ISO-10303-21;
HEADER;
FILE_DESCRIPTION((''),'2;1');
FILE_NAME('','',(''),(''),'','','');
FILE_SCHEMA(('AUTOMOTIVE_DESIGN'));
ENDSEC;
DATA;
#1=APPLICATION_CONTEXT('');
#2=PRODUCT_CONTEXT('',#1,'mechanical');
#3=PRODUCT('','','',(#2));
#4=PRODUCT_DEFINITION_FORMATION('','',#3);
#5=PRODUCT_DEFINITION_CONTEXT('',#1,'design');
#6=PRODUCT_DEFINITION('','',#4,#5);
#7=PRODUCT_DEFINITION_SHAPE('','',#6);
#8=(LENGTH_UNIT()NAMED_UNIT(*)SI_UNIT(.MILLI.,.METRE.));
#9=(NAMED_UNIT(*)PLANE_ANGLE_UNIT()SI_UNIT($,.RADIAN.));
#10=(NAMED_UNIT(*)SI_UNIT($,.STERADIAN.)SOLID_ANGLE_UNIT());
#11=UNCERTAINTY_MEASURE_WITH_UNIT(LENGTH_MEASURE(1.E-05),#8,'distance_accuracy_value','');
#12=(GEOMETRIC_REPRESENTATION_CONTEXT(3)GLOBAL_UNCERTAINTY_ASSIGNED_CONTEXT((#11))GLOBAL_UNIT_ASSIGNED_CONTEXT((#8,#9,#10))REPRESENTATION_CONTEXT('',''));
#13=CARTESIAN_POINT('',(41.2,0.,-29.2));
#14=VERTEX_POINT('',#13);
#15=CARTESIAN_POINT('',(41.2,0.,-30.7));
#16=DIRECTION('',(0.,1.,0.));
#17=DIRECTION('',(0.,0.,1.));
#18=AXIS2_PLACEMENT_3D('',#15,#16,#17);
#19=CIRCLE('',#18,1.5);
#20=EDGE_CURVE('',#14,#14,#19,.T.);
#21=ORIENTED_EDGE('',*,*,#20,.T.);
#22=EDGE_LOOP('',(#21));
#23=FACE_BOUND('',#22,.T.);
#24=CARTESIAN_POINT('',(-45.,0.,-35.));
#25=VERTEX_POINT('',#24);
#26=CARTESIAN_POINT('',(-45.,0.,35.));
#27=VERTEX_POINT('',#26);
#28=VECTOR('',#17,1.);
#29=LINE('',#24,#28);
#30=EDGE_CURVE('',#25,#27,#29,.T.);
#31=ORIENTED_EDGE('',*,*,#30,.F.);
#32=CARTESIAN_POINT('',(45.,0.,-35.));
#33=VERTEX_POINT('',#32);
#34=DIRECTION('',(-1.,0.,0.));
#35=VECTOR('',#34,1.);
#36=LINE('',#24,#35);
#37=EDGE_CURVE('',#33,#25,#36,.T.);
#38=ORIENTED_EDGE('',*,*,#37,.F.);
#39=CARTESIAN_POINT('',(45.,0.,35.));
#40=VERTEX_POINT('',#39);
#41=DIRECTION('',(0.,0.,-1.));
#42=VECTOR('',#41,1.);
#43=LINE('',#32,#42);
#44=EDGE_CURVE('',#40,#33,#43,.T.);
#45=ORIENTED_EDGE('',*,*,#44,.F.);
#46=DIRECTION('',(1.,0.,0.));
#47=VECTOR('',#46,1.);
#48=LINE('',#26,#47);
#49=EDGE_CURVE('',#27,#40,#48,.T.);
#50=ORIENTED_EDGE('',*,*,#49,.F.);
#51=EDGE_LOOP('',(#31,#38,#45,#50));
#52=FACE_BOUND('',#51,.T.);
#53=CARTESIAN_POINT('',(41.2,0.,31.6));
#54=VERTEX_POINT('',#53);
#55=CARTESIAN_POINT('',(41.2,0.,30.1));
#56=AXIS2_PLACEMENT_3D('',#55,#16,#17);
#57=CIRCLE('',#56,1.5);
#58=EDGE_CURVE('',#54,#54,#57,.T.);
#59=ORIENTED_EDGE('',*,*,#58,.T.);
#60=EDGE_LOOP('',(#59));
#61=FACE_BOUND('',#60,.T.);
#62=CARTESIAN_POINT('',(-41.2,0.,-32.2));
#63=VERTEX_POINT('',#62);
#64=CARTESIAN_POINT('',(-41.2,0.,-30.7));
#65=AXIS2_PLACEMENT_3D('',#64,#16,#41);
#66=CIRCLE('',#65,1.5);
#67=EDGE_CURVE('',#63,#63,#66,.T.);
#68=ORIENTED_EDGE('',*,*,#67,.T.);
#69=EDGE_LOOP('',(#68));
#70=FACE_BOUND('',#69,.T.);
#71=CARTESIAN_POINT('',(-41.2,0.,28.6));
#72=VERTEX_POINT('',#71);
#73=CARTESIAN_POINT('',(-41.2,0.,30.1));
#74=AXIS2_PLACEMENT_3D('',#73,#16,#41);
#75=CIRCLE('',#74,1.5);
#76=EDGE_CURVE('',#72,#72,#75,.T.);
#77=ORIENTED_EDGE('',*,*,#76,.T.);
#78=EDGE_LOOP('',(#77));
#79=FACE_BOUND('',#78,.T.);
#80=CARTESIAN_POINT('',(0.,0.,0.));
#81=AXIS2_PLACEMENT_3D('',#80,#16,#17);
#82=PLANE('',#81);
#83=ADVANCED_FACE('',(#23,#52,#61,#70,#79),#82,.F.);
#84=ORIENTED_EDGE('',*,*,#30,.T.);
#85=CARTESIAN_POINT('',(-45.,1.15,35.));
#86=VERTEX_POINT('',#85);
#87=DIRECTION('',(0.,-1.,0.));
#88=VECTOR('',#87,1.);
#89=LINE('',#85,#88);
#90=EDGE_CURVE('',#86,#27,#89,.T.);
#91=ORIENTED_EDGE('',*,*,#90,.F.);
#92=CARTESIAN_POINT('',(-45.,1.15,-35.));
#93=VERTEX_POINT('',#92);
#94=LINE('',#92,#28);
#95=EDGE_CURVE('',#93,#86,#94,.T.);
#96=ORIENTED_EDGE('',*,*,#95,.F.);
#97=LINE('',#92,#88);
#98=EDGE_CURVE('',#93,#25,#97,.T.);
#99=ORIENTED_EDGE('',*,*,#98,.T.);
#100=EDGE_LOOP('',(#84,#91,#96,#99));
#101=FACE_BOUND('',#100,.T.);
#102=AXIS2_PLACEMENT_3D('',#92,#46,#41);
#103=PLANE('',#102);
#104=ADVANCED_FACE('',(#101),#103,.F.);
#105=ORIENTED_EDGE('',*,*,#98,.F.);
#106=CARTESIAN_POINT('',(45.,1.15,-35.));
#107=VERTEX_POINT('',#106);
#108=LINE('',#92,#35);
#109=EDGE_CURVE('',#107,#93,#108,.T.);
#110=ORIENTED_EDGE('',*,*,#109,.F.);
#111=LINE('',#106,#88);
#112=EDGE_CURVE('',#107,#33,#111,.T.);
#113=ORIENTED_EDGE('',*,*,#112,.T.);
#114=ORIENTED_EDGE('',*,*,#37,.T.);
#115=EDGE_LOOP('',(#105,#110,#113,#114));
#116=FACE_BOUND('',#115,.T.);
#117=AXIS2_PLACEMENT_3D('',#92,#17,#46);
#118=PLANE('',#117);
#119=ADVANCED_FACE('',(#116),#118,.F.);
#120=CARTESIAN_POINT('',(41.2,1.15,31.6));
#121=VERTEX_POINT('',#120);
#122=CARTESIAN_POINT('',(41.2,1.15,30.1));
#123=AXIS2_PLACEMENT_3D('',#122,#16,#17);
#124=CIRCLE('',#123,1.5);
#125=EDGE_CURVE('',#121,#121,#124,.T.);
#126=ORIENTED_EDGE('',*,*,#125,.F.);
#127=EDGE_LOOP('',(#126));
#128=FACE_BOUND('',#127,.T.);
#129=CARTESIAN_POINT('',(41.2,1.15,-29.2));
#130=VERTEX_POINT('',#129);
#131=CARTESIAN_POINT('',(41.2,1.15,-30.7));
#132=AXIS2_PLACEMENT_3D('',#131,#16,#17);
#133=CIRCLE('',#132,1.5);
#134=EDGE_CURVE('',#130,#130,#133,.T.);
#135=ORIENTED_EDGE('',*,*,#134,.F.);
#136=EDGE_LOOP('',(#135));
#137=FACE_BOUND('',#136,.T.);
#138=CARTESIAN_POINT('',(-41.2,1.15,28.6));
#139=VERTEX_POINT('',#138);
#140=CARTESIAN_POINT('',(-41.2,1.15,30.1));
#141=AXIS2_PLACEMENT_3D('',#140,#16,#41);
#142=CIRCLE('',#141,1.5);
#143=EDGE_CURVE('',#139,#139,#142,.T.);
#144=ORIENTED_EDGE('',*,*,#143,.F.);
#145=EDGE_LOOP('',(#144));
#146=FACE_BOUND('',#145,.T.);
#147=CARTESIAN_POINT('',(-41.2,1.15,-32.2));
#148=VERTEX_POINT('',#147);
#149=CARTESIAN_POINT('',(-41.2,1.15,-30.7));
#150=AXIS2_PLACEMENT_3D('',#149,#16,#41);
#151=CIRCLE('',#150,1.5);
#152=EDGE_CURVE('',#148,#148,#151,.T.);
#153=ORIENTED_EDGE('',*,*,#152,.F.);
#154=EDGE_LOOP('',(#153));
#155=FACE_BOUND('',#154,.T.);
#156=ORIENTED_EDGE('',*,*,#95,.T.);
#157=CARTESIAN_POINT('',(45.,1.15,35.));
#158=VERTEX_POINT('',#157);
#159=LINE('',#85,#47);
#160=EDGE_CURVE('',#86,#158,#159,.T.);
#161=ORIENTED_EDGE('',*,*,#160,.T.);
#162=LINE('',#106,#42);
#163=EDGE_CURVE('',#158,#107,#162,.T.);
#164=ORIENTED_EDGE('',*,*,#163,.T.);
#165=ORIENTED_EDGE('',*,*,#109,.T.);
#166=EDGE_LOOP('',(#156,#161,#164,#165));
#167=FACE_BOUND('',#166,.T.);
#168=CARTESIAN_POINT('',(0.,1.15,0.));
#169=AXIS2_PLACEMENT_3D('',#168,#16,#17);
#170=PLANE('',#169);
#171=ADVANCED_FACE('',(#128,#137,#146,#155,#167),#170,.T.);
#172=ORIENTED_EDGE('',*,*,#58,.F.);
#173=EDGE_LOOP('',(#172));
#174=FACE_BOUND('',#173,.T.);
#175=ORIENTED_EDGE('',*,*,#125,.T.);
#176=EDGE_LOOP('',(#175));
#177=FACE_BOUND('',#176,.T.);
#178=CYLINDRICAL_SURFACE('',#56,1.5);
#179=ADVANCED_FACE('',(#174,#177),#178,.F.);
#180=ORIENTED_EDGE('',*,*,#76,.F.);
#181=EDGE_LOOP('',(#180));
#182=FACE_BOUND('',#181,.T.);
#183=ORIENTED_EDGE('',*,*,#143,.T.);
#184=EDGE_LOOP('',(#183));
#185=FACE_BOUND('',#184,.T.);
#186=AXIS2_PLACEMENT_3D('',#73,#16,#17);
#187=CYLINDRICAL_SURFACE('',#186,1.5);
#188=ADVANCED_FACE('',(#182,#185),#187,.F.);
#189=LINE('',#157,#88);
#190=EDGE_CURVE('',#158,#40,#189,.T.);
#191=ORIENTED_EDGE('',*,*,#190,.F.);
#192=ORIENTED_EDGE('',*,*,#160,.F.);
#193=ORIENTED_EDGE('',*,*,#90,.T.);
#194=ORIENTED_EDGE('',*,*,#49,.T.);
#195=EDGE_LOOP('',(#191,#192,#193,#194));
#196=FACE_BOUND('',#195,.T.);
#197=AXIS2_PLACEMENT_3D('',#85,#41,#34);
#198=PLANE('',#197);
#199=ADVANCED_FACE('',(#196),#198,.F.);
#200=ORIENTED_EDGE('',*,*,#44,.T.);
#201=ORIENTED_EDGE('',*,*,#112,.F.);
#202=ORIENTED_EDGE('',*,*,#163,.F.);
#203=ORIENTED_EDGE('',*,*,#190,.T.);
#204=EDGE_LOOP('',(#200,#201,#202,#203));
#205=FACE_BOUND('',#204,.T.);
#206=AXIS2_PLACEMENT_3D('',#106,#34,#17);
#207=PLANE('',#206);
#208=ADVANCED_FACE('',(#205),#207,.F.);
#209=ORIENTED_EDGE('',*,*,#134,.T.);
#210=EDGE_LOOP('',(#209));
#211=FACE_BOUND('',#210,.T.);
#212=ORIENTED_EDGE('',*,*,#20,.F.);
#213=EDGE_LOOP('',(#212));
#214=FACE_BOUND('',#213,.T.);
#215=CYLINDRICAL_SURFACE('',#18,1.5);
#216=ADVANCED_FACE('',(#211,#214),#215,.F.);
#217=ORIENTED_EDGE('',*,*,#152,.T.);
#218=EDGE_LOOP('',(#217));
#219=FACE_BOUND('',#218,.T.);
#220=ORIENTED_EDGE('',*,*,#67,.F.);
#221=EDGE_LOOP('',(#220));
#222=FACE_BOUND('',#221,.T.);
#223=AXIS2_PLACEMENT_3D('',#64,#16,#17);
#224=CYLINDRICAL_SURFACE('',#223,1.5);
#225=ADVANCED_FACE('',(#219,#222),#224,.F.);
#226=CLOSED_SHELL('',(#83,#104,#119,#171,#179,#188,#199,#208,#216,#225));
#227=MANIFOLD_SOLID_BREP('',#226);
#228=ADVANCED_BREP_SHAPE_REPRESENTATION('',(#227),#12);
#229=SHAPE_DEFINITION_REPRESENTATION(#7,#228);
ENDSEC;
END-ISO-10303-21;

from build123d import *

# Parameters (mm, degrees)
SKETCH_1_W          = 90
SKETCH_1_H          = 70
EXTRUDE_1_DEPTH     = 1.15
SKETCH_2_R          = 1.5
CUT_EXTRUDE_1_DEPTH = 2.15


with BuildPart() as part:
    # 草圖1 → 填料-伸長1 (new body)
    with BuildSketch(Plane(origin=(0, 0, 0), x_dir=(1, 0, 0), z_dir=(0, 1, 0))):
        Rectangle(SKETCH_1_W, SKETCH_1_H)
    extrude(amount=EXTRUDE_1_DEPTH)

    # 草圖2 → 除料-伸長1 (cut, through all)
    with BuildSketch(Plane(origin=(0, 1.15, 0), x_dir=(1, 0, 0), z_dir=(0, 1, 0))):
        with Locations((41.2, 30.7)):
            Circle(SKETCH_2_R)
        with Locations((41.2, -30.1)):
            Circle(SKETCH_2_R)
        with Locations((-41.2, -30.1)):
            Circle(SKETCH_2_R)
        with Locations((-41.2, 30.7)):
            Circle(SKETCH_2_R)
    extrude(amount=-CUT_EXTRUDE_1_DEPTH, mode=Mode.SUBTRACT)


solid = part.part
